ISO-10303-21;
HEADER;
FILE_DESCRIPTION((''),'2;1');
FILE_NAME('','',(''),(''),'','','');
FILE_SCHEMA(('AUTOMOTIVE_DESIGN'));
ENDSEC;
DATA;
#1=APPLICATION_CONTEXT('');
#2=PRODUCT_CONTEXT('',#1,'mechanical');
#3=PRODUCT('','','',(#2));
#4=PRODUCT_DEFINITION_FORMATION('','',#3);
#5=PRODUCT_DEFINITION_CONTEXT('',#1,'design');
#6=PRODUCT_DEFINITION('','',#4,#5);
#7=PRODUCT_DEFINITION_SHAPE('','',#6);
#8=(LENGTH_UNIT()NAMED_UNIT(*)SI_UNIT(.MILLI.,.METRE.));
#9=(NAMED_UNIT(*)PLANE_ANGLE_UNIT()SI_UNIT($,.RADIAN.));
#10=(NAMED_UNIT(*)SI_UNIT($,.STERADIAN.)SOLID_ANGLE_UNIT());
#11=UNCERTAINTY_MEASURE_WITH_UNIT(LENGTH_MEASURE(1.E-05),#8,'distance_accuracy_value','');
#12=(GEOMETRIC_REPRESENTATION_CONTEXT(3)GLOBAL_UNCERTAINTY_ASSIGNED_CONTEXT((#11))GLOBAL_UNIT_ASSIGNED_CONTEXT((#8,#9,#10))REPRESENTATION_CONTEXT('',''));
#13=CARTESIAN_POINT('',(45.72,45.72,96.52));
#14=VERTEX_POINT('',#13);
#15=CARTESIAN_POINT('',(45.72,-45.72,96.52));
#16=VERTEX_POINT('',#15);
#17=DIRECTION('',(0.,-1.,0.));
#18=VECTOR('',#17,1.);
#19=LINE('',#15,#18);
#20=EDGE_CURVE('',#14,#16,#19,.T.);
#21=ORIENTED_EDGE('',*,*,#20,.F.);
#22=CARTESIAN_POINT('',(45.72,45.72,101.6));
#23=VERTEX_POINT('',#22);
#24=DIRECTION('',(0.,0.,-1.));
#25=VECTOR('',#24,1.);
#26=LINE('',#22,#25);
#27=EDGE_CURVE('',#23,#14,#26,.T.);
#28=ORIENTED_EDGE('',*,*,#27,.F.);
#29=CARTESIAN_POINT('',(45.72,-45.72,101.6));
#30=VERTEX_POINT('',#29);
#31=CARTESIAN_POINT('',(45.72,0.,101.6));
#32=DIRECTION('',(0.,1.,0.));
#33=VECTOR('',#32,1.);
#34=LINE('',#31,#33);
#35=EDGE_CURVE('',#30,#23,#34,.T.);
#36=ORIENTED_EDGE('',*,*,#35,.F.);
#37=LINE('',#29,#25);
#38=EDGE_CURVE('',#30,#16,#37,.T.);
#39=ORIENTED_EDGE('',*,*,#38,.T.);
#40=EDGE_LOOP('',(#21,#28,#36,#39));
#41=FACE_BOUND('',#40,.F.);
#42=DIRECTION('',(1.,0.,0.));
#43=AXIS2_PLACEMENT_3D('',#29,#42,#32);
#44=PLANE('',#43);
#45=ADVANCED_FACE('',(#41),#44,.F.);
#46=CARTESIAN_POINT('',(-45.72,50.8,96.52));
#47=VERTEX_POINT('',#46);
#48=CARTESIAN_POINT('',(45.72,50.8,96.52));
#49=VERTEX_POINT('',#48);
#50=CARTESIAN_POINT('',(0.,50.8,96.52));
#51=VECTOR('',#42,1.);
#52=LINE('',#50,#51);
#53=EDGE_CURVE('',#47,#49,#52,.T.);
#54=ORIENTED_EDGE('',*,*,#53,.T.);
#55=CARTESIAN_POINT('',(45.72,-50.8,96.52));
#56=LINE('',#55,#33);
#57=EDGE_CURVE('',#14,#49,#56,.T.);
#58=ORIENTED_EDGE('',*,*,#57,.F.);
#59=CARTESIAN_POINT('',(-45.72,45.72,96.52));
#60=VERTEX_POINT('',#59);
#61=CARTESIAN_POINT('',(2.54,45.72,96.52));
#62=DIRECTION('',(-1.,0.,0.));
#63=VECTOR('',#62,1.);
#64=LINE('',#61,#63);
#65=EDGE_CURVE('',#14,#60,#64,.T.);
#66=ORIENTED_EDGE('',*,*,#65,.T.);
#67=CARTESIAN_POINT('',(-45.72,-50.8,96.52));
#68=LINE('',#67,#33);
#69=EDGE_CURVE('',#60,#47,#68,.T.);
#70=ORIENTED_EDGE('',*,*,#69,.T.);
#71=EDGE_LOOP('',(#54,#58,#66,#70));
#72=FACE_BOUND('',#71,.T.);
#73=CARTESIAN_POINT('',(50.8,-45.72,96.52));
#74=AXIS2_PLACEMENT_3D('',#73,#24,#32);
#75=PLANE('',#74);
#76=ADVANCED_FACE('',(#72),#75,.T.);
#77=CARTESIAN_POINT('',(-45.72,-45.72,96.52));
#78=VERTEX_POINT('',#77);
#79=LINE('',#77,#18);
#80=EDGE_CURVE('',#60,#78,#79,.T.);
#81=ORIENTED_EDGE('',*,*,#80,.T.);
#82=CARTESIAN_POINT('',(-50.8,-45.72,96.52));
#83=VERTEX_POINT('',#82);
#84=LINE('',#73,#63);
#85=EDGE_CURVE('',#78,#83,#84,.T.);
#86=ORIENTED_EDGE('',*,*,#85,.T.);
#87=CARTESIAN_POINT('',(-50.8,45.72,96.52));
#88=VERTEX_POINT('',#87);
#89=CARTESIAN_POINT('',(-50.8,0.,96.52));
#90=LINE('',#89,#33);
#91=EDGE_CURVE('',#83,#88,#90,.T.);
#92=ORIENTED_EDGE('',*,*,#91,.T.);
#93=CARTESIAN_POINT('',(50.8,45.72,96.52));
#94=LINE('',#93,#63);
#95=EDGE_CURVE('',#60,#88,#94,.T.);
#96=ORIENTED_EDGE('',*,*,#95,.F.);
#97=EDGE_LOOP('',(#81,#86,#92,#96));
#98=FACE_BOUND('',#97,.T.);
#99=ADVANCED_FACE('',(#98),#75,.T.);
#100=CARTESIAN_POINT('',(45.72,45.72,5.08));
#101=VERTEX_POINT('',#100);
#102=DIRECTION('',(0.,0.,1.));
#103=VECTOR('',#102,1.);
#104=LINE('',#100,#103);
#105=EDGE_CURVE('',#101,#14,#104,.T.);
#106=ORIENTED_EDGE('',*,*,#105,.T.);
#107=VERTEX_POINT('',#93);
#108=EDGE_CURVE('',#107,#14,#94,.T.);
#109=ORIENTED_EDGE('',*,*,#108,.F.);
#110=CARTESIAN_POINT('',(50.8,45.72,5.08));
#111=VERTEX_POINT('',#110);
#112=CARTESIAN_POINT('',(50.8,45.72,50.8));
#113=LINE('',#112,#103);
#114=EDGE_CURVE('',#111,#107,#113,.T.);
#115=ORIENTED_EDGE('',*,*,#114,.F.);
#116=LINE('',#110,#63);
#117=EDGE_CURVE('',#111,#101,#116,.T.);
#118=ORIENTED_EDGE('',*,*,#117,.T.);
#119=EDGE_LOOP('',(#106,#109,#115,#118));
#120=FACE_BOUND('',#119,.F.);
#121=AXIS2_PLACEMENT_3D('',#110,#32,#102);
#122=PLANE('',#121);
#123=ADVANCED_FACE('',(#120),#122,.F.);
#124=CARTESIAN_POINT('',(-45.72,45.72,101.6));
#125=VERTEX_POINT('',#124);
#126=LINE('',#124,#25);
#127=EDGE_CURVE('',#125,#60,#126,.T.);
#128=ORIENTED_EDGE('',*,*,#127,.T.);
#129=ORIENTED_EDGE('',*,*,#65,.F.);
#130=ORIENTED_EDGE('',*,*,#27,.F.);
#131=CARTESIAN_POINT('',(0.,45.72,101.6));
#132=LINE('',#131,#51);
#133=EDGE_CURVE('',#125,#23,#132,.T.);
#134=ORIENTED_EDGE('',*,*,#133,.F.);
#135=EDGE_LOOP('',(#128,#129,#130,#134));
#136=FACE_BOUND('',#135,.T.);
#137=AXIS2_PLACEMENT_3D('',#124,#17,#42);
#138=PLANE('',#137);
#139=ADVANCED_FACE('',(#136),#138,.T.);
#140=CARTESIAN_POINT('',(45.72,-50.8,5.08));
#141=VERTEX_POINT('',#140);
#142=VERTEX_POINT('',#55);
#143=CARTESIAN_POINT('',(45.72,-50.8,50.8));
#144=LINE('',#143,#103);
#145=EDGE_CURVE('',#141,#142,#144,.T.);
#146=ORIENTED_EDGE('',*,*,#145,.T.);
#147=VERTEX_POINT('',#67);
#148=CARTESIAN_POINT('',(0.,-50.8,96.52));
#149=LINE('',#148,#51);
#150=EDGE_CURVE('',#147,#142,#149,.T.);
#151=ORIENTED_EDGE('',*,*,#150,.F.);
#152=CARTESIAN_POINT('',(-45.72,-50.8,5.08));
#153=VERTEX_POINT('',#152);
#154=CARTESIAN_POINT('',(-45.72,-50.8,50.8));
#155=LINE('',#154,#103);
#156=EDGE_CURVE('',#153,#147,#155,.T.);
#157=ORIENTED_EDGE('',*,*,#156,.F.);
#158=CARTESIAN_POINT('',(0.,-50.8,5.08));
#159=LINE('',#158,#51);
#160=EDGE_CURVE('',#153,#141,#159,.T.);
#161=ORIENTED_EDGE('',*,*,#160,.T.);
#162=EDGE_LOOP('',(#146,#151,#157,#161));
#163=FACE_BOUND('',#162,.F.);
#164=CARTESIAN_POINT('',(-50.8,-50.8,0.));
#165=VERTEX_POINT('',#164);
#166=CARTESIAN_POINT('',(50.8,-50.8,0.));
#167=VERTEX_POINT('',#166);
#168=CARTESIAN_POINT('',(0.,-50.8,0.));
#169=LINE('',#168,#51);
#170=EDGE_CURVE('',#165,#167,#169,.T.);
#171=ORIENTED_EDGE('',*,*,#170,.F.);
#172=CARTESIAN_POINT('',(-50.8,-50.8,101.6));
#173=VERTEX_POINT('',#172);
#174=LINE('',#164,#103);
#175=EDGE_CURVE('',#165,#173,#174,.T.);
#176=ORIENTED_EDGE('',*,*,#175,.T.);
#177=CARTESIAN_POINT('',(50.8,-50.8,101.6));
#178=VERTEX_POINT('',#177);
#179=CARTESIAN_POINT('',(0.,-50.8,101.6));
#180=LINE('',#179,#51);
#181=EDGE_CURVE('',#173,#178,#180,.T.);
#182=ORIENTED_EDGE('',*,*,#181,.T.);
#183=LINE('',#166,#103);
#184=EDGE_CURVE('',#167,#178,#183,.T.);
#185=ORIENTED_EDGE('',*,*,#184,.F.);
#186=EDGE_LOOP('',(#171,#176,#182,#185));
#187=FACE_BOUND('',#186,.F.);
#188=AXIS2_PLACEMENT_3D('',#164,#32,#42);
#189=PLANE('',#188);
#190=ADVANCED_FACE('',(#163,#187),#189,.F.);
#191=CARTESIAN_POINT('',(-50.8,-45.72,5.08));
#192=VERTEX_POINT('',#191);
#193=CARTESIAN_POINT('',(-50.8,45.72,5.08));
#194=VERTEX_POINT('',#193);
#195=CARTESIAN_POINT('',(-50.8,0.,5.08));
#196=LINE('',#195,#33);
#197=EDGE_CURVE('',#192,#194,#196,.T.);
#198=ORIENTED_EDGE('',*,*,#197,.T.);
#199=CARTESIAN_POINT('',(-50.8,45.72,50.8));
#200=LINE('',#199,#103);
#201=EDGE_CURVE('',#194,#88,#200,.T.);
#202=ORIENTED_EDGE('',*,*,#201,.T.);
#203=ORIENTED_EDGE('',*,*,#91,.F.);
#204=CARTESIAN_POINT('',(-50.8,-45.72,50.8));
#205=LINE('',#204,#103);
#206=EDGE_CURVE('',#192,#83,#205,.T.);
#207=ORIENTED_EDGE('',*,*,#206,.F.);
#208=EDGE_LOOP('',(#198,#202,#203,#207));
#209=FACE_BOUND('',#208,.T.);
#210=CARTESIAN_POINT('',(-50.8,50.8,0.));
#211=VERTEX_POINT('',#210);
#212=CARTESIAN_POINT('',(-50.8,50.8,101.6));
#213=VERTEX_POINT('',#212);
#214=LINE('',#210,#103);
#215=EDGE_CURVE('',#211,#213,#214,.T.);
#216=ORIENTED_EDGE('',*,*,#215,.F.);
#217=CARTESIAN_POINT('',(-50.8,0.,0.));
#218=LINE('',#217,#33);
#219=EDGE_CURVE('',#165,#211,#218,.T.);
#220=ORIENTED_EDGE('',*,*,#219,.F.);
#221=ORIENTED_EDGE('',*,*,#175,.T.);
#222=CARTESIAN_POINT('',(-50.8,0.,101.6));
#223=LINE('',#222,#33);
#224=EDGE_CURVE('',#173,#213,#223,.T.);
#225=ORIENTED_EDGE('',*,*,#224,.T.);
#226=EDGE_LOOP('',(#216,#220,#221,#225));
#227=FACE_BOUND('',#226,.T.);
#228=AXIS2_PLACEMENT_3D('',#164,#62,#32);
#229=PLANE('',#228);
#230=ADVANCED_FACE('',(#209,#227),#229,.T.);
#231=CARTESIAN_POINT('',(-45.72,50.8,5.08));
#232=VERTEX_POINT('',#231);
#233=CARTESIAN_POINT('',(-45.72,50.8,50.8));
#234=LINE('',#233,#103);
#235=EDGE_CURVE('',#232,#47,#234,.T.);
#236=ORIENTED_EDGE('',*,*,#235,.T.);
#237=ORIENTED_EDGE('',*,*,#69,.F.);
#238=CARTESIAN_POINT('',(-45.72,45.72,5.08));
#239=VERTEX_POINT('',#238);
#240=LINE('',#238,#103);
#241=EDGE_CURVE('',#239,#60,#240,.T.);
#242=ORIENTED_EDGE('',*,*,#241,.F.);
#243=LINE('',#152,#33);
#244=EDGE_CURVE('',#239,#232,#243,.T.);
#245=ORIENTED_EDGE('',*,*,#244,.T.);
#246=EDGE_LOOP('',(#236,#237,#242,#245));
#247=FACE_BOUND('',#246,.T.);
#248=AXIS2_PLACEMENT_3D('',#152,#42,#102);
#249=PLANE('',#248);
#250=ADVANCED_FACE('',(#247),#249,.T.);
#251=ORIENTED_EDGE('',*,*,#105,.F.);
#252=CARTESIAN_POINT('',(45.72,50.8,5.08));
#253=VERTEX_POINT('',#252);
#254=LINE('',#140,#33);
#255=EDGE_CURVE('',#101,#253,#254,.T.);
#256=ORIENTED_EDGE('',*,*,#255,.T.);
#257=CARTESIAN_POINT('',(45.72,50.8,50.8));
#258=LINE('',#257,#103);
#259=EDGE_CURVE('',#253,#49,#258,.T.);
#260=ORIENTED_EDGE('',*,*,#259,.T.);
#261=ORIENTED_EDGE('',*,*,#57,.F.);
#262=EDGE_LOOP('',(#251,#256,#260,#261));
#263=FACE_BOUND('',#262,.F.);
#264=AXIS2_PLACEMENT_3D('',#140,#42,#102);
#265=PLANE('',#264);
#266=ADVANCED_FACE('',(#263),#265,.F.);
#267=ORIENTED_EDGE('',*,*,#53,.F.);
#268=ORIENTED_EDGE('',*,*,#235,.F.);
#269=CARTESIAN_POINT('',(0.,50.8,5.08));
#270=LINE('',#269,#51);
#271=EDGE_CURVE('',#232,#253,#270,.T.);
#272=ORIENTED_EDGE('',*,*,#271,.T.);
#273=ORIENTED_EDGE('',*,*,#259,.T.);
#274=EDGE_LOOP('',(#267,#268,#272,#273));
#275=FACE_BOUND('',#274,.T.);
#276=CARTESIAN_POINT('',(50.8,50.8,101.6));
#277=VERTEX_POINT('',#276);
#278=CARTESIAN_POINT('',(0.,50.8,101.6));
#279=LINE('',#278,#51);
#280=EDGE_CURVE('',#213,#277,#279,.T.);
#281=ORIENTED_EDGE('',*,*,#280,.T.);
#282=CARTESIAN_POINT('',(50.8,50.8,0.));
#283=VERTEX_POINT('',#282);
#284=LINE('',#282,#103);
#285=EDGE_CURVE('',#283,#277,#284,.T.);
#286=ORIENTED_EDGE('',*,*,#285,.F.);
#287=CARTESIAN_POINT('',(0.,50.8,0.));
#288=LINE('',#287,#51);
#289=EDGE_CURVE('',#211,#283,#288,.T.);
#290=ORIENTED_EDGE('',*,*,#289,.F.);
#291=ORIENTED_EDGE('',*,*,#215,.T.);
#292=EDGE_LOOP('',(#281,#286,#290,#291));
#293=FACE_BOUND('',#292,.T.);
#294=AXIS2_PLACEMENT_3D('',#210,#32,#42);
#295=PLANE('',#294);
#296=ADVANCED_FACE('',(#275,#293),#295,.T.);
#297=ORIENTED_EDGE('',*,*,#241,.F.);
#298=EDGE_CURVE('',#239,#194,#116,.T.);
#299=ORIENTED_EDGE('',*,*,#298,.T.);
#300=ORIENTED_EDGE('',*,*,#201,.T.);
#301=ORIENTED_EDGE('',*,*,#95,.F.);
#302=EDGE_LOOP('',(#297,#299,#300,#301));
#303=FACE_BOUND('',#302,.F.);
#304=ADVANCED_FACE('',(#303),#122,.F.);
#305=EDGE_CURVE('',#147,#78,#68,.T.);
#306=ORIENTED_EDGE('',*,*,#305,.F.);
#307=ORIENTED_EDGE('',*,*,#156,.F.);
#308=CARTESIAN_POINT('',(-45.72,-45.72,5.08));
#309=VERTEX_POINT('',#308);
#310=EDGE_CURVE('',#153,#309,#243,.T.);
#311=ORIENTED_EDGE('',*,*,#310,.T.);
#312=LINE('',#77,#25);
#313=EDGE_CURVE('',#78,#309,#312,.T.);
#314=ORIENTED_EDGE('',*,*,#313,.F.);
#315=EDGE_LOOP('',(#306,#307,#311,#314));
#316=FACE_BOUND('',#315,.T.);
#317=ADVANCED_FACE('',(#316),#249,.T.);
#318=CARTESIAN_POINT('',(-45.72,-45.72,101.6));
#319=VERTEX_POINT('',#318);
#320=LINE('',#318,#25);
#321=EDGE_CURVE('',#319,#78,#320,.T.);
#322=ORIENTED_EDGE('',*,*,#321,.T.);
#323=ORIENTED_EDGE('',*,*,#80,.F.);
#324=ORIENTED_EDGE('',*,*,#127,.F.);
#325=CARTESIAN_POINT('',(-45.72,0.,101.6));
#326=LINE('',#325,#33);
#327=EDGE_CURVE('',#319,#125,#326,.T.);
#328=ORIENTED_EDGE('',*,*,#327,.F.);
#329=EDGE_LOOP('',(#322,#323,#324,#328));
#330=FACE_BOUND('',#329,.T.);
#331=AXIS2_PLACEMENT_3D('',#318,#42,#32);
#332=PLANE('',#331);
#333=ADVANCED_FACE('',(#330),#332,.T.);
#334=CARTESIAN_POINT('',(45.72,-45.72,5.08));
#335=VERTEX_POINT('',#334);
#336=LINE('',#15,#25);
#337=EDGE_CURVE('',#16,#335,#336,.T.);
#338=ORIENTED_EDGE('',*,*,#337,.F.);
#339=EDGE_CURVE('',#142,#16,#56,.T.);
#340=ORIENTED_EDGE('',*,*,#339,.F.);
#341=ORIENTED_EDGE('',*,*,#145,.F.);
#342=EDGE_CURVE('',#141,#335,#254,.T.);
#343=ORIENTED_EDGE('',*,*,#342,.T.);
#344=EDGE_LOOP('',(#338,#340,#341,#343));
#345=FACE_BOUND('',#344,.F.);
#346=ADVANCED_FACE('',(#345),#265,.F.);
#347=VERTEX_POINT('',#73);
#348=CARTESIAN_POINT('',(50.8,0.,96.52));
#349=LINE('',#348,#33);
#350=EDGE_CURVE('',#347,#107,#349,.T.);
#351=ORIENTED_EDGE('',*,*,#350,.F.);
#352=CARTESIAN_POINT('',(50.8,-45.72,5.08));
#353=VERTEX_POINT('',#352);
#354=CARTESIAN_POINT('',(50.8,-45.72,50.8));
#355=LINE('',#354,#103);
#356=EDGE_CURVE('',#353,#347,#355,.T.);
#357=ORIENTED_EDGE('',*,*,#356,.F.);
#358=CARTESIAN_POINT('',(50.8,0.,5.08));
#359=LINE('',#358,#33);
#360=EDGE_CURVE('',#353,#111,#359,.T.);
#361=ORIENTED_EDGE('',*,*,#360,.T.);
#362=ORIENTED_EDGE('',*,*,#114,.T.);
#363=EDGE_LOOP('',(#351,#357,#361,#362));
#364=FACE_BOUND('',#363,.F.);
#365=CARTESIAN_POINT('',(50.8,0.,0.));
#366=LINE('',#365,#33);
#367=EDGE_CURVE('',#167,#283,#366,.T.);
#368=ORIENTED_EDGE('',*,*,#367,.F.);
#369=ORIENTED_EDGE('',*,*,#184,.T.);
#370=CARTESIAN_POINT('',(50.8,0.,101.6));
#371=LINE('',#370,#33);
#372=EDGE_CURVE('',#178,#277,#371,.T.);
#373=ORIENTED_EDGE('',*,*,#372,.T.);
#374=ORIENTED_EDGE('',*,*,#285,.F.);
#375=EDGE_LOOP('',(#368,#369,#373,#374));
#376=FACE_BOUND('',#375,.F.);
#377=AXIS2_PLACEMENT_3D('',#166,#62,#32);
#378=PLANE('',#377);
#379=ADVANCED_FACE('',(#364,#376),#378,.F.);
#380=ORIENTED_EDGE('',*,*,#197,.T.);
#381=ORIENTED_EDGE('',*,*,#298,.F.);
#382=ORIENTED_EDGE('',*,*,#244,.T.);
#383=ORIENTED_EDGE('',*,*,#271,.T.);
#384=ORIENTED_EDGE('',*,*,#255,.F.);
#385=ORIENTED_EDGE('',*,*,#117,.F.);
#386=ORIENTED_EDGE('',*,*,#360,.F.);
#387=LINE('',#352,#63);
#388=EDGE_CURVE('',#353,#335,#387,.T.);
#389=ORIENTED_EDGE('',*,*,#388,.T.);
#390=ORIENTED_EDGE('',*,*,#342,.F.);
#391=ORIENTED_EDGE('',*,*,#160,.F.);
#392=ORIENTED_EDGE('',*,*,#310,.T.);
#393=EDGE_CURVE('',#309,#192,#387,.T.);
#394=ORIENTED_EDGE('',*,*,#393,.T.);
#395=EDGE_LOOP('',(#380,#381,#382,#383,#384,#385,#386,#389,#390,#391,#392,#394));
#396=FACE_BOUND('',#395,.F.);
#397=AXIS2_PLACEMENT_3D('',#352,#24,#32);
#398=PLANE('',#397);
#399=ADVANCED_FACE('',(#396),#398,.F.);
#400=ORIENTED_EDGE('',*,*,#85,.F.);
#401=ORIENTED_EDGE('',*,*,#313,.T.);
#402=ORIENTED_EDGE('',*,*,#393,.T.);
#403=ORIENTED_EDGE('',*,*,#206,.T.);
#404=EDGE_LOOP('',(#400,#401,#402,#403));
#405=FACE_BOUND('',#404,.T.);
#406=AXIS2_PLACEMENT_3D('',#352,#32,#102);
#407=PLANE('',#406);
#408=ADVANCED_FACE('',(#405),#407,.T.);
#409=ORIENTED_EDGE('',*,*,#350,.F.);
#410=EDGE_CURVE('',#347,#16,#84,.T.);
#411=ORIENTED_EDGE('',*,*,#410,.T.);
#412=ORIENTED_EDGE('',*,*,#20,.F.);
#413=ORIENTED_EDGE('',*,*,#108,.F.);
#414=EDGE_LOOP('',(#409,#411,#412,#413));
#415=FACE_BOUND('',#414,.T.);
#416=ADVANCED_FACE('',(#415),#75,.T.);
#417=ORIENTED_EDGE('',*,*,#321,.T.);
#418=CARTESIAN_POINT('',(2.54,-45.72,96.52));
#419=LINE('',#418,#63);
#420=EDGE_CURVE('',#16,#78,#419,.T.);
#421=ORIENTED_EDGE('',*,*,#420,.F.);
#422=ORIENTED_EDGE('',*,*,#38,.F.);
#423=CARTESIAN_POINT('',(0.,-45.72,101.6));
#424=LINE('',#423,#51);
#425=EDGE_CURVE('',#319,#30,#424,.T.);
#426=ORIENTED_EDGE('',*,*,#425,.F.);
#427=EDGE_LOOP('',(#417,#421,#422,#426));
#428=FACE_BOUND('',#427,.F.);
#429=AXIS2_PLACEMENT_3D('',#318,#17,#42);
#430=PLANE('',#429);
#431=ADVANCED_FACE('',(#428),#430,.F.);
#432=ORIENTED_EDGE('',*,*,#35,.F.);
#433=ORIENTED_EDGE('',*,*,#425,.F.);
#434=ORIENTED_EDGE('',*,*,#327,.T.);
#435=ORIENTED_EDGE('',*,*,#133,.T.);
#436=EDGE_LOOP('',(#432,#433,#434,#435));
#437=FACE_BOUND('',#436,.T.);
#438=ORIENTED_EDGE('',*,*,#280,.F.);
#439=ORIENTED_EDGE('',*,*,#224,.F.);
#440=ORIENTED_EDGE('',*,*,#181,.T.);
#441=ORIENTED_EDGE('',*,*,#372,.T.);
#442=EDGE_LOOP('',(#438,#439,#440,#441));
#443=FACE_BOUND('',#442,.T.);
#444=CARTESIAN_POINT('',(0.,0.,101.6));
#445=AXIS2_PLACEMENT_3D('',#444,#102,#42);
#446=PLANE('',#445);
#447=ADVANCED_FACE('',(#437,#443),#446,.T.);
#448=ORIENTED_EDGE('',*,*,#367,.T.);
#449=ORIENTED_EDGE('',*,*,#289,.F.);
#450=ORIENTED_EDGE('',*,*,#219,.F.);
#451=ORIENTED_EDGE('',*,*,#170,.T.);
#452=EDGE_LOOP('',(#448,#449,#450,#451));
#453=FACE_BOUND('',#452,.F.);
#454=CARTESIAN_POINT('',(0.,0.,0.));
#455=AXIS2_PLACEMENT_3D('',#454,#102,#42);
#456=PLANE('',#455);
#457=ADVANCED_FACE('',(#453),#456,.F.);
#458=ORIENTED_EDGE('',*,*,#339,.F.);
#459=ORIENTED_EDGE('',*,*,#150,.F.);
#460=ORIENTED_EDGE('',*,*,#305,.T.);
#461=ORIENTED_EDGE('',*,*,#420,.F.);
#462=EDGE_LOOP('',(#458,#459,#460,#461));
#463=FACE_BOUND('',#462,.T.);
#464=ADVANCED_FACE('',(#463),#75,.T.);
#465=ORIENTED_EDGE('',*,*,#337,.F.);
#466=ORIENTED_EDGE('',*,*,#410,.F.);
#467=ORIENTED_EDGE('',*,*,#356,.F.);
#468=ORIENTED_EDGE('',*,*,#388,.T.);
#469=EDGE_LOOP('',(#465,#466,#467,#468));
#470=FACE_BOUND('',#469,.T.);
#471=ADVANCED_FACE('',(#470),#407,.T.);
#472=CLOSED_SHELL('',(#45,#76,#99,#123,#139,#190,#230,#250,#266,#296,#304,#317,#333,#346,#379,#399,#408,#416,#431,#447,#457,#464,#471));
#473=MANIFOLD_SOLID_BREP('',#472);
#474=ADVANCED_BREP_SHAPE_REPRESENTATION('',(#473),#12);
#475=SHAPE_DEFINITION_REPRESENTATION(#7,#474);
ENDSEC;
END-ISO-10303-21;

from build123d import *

# Parameters (mm, degrees)
F0_W     = 101.6
F0_H     = 101.6
F0_W_2   = 91.44
F0_H_2   = 91.44
F1_DEPTH = 101.6
F2_W     = 91.44
F2_H     = 91.44
F3_DEPTH = 101.6
F4_W     = 91.44
F4_H     = 91.44
F5_DEPTH = 101.6
F6_W     = 91.44
F6_H     = 91.44
F7_DEPTH = 25.4


with BuildPart() as f1:
    # F0 (on Top) → F1 (new body)
    with BuildSketch(Plane.XY):
        Rectangle(F0_W, F0_H)
        Rectangle(F0_W_2, F0_H_2, mode=Mode.SUBTRACT)
        Rectangle(F0_W_2, F0_H_2)
    extrude(amount=F1_DEPTH)

    # F2 (on face) → F3 (cut)
    with BuildSketch(Plane.YZ.offset(50.8)):
        with Locations((0, 50.8)):
            Rectangle(F2_W, F2_H)
    extrude(amount=-F3_DEPTH, mode=Mode.SUBTRACT)

    # F4 (on face) → F5 (cut)
    with BuildSketch(Plane.XZ.offset(50.8)):
        with Locations((0, 50.8)):
            Rectangle(F4_W, F4_H)
    extrude(amount=-F5_DEPTH, mode=Mode.SUBTRACT)

    # F6 (on face) → F7 (cut)
    with BuildSketch(Plane.XY.offset(101.6)):
        Rectangle(F6_W, F6_H)
    extrude(amount=-F7_DEPTH, mode=Mode.SUBTRACT)


solid = f1.part
